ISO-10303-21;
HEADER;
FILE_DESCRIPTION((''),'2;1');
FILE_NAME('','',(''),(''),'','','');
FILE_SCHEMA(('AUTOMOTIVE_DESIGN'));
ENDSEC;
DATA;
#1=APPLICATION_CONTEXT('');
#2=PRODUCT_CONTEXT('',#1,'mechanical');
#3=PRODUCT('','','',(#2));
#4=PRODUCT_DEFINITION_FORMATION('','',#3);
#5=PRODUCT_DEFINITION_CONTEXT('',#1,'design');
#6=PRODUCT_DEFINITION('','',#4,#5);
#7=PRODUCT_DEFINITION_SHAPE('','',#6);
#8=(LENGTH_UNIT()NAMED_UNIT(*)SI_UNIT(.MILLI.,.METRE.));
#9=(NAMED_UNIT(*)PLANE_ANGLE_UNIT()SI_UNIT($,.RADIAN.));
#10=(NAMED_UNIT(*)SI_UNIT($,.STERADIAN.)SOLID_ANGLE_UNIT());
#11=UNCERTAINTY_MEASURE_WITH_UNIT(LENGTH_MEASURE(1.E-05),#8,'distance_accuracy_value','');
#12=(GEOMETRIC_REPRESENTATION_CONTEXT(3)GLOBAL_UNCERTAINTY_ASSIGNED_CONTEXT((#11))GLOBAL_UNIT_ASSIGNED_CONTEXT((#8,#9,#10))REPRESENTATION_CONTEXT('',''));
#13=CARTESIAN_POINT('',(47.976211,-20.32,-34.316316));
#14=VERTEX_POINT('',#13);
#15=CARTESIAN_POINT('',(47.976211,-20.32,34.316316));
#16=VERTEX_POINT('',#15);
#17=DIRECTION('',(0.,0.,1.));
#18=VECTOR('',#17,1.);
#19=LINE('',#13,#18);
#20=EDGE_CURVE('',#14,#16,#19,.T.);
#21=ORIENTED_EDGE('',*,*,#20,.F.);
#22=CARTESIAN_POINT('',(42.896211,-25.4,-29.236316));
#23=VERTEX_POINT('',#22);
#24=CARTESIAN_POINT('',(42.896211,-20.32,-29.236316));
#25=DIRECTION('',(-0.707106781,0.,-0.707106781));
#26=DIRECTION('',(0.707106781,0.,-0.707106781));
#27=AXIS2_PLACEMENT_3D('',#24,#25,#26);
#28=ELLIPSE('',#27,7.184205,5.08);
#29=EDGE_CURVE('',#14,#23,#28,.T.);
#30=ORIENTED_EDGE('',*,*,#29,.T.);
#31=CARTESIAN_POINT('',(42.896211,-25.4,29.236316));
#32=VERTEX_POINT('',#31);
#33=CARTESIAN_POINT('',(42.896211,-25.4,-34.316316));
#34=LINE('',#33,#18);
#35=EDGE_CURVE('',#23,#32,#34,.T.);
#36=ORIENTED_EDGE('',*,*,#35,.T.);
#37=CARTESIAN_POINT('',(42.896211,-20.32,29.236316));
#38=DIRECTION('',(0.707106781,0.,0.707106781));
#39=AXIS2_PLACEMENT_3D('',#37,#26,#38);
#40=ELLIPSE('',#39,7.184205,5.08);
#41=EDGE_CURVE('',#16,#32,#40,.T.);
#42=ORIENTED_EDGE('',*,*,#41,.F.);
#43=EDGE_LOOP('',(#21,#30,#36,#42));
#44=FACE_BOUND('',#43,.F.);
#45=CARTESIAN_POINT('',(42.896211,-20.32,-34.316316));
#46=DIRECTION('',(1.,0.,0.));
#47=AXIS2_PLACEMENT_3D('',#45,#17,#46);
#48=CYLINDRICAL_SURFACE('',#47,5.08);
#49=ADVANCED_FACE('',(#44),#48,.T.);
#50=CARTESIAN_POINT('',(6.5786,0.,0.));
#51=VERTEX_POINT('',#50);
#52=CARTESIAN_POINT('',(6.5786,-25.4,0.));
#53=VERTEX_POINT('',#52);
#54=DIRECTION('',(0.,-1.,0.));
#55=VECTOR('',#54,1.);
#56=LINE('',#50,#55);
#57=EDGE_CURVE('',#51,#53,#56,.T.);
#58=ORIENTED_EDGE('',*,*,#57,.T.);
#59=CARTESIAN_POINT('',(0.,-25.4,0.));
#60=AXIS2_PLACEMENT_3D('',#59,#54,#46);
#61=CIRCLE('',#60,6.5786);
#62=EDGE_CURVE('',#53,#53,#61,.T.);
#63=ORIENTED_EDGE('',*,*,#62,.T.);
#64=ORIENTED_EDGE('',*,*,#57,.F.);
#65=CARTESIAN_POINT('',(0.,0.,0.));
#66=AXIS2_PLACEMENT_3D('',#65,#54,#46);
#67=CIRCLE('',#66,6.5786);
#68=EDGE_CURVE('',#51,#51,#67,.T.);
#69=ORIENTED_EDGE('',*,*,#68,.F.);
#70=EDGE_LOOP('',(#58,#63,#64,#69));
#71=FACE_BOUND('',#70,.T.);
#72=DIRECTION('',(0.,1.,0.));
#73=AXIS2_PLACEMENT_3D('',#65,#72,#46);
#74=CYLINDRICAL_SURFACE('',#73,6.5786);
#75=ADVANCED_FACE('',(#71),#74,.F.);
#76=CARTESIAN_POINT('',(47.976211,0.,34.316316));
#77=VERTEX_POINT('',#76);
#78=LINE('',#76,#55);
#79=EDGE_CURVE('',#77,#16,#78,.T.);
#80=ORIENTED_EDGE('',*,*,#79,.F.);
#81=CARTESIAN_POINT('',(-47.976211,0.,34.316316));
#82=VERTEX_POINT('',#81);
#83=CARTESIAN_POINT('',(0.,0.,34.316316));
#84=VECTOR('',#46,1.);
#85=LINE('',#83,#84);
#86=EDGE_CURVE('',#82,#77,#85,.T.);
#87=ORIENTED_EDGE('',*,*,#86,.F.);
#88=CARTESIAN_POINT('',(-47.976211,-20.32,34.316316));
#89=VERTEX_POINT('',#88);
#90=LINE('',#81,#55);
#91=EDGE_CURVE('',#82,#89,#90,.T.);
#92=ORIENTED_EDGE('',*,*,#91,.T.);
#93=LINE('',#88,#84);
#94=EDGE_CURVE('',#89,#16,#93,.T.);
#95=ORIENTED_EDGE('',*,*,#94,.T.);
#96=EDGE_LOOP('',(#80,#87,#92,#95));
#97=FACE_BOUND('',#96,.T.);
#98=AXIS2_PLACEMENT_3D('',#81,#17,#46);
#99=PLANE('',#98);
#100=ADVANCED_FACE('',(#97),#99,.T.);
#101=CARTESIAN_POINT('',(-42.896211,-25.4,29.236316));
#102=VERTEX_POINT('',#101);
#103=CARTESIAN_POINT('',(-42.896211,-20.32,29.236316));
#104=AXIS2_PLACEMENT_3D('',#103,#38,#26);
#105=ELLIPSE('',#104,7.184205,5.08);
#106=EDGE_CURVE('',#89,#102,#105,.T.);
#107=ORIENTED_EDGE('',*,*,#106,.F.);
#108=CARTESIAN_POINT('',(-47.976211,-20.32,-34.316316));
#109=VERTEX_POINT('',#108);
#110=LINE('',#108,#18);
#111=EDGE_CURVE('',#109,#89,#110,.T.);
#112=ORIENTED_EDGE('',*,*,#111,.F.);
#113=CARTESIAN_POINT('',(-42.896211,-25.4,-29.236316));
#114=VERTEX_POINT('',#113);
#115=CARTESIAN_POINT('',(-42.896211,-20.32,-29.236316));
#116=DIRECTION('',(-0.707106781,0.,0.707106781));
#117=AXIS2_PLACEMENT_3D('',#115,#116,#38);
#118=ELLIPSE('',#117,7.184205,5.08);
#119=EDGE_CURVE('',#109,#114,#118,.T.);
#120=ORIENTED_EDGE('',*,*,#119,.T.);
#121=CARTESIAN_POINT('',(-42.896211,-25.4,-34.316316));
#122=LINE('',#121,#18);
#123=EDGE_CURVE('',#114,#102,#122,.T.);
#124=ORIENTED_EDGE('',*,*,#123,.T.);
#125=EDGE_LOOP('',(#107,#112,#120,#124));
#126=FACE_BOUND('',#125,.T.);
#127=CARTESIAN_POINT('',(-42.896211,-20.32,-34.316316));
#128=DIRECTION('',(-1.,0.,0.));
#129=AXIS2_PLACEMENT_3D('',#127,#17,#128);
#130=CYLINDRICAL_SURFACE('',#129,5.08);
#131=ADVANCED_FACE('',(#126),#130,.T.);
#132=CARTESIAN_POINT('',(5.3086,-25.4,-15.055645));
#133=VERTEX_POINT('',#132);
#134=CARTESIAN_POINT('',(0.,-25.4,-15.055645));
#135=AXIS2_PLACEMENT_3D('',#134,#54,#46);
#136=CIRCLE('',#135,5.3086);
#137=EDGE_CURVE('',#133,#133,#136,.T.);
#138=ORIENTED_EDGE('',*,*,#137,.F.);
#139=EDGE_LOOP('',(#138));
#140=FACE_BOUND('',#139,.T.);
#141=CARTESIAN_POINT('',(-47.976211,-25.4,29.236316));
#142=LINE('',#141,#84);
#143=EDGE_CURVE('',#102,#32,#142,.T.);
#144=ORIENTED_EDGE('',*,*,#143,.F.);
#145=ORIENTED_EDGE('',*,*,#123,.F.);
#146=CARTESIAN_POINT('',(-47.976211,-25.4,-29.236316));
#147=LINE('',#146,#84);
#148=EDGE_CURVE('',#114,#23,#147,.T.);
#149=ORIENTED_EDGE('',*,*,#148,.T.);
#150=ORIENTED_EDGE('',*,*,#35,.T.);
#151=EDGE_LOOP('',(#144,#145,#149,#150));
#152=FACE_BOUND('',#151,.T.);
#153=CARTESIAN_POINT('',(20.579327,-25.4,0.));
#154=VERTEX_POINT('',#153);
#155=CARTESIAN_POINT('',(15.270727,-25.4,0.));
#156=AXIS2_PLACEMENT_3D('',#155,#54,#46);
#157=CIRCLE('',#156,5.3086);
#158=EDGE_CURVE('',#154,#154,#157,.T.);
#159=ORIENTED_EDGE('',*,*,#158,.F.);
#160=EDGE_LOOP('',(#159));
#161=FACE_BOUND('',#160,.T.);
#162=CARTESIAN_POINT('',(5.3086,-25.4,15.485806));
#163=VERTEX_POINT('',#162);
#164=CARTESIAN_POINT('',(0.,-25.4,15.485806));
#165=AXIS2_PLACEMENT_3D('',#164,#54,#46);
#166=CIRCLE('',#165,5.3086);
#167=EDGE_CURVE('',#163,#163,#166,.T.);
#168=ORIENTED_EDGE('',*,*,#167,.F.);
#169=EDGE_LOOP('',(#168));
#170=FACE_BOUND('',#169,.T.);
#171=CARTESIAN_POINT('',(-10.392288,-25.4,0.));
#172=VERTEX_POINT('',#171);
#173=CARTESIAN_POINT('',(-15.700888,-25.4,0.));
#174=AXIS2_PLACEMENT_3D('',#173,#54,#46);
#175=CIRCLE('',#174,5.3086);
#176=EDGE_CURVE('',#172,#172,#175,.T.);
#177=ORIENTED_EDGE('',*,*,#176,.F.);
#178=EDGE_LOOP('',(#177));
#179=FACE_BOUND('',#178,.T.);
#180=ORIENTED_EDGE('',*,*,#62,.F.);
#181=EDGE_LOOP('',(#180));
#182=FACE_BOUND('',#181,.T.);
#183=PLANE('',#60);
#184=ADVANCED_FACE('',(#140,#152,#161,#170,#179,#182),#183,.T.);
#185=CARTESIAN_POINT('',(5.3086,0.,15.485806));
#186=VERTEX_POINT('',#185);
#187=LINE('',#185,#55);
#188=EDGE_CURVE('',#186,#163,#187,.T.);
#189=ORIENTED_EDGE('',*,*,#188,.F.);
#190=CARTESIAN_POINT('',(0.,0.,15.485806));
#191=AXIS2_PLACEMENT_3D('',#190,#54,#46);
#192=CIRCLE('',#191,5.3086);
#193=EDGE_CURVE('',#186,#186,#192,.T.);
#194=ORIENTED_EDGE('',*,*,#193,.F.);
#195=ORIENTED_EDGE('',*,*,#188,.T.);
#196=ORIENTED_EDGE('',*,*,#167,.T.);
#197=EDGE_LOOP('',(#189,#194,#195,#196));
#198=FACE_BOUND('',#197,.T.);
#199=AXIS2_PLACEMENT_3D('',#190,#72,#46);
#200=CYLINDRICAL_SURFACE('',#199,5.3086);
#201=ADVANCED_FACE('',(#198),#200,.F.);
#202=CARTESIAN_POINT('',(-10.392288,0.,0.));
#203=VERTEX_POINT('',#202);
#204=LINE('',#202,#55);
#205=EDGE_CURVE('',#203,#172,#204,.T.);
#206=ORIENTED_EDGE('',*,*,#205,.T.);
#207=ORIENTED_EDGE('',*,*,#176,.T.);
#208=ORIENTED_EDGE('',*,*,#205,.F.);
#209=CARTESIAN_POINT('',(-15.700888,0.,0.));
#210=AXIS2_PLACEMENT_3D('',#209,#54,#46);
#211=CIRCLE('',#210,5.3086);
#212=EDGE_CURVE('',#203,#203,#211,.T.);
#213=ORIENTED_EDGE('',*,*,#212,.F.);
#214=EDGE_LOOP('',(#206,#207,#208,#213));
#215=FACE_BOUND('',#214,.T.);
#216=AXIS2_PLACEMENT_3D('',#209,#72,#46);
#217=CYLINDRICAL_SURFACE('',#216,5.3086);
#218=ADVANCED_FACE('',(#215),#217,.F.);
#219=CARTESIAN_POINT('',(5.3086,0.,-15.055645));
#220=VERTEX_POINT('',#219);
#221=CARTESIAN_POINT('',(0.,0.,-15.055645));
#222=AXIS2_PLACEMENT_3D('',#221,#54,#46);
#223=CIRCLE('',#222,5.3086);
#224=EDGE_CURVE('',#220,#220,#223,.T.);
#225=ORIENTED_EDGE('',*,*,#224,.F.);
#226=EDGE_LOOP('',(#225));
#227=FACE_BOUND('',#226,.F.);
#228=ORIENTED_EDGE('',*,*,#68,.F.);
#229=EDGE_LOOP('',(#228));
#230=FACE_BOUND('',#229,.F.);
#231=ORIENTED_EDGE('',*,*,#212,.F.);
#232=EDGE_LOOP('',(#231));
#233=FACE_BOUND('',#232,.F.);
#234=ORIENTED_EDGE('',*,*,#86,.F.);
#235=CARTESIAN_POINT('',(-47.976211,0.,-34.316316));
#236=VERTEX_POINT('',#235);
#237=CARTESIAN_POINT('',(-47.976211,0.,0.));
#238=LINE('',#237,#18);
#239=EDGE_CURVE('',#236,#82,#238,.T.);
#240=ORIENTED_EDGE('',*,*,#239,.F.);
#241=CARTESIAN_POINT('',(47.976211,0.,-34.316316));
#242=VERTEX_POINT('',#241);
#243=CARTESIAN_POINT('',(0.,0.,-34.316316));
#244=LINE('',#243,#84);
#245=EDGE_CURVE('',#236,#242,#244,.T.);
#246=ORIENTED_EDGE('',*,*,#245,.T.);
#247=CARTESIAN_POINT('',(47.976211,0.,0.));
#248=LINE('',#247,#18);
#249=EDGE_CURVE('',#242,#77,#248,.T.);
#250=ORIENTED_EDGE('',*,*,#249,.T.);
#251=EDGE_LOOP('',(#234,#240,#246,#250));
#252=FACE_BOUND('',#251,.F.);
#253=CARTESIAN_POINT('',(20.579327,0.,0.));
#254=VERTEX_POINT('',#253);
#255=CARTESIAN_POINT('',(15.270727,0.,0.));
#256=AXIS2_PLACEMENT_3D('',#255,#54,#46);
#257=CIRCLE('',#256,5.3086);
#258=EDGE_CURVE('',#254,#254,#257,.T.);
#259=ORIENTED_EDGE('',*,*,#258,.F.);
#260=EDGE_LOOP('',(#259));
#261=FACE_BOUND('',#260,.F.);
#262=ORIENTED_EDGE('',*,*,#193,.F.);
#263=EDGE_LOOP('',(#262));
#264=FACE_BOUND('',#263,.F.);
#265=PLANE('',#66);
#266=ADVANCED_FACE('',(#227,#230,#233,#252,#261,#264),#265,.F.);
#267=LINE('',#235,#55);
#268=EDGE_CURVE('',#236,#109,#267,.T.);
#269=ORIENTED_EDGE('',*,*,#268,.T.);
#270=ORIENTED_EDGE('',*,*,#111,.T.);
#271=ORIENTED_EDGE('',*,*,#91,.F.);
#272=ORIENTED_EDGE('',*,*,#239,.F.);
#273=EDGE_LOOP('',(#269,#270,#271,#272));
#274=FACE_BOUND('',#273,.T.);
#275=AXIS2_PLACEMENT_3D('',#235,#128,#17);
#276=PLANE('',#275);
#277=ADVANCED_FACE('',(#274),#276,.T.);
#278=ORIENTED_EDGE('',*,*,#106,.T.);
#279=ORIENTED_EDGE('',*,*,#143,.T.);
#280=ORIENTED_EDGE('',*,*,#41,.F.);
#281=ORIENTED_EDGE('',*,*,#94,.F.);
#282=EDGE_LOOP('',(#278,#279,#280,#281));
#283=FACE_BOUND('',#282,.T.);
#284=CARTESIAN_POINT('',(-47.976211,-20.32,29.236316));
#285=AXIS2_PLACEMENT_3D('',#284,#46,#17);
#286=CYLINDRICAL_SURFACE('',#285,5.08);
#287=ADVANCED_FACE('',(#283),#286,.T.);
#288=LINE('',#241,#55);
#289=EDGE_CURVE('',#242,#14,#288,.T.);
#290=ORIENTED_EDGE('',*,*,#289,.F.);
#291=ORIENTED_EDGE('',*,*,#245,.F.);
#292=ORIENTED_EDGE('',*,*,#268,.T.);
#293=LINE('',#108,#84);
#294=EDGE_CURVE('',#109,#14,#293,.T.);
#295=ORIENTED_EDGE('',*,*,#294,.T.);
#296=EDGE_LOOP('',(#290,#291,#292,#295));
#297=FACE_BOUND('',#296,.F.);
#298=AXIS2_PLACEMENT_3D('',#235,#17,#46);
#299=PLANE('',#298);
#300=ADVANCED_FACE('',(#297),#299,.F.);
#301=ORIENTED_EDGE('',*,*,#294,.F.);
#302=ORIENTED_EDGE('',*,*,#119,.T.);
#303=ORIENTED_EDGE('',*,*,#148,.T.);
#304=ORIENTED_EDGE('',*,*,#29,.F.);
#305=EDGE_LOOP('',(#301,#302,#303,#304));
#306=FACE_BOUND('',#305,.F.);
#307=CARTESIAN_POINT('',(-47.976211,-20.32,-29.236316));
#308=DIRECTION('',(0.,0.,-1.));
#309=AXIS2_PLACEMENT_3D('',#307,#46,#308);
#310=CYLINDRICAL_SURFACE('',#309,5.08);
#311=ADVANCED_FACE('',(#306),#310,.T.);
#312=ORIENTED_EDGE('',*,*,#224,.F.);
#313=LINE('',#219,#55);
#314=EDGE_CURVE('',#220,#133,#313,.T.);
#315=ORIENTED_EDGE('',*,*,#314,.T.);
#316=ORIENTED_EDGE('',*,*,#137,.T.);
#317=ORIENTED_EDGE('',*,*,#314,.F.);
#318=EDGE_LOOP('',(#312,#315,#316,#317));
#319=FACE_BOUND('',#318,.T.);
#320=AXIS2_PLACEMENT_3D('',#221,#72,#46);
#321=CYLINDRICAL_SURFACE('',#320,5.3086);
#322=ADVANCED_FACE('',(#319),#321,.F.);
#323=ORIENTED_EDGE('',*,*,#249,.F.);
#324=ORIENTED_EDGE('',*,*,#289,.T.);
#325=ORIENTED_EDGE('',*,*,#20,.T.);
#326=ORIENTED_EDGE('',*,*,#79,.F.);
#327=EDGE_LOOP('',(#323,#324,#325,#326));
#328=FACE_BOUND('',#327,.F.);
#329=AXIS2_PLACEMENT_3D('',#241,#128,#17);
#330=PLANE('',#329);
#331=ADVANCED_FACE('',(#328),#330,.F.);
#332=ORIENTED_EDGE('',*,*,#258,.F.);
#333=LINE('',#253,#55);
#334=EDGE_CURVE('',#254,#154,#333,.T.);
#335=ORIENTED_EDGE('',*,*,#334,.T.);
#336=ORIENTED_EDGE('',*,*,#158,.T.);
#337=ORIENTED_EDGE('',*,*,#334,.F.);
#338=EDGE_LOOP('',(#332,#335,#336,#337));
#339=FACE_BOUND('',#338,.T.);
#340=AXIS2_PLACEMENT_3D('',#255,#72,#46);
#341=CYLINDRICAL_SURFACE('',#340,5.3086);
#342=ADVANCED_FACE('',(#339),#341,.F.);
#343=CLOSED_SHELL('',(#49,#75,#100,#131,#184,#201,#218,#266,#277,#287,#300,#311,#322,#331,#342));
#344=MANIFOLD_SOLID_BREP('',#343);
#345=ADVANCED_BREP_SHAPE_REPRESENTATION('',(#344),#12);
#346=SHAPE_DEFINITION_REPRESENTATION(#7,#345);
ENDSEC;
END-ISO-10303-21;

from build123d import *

# Parameters (mm, degrees)
F0_W     = 95.952422
F0_H     = 68.632632
F0_R     = 5.3086
F0_R_2   = 6.5786
F1_DEPTH = 25.4
F2_R     = 5.08


with BuildPart() as f1:
    # F0 (on Front) → F1 (new body)
    with BuildSketch(Plane.XZ):
        Rectangle(F0_W, F0_H)
        with Locations((0, -15.055645)):
            Circle(F0_R, mode=Mode.SUBTRACT)
        with Locations((-15.700888, 0)):
            Circle(F0_R, mode=Mode.SUBTRACT)
        Circle(F0_R_2, mode=Mode.SUBTRACT)
        with Locations((15.270727, 0)):
            Circle(F0_R, mode=Mode.SUBTRACT)
        with Locations((0, 15.485806)):
            Circle(F0_R, mode=Mode.SUBTRACT)
    extrude(amount=F1_DEPTH)

    # F2
    f2_edges = [f1.edges().sort_by_distance(p)[0] for p in [
        (0, -25.4, 34.316316),
        (-47.976211, -25.4, 0),
        (0, -25.4, -34.316316),
        (47.976211, -25.4, 0),
    ]]
    fillet(f2_edges, radius=F2_R)


solid = f1.part
